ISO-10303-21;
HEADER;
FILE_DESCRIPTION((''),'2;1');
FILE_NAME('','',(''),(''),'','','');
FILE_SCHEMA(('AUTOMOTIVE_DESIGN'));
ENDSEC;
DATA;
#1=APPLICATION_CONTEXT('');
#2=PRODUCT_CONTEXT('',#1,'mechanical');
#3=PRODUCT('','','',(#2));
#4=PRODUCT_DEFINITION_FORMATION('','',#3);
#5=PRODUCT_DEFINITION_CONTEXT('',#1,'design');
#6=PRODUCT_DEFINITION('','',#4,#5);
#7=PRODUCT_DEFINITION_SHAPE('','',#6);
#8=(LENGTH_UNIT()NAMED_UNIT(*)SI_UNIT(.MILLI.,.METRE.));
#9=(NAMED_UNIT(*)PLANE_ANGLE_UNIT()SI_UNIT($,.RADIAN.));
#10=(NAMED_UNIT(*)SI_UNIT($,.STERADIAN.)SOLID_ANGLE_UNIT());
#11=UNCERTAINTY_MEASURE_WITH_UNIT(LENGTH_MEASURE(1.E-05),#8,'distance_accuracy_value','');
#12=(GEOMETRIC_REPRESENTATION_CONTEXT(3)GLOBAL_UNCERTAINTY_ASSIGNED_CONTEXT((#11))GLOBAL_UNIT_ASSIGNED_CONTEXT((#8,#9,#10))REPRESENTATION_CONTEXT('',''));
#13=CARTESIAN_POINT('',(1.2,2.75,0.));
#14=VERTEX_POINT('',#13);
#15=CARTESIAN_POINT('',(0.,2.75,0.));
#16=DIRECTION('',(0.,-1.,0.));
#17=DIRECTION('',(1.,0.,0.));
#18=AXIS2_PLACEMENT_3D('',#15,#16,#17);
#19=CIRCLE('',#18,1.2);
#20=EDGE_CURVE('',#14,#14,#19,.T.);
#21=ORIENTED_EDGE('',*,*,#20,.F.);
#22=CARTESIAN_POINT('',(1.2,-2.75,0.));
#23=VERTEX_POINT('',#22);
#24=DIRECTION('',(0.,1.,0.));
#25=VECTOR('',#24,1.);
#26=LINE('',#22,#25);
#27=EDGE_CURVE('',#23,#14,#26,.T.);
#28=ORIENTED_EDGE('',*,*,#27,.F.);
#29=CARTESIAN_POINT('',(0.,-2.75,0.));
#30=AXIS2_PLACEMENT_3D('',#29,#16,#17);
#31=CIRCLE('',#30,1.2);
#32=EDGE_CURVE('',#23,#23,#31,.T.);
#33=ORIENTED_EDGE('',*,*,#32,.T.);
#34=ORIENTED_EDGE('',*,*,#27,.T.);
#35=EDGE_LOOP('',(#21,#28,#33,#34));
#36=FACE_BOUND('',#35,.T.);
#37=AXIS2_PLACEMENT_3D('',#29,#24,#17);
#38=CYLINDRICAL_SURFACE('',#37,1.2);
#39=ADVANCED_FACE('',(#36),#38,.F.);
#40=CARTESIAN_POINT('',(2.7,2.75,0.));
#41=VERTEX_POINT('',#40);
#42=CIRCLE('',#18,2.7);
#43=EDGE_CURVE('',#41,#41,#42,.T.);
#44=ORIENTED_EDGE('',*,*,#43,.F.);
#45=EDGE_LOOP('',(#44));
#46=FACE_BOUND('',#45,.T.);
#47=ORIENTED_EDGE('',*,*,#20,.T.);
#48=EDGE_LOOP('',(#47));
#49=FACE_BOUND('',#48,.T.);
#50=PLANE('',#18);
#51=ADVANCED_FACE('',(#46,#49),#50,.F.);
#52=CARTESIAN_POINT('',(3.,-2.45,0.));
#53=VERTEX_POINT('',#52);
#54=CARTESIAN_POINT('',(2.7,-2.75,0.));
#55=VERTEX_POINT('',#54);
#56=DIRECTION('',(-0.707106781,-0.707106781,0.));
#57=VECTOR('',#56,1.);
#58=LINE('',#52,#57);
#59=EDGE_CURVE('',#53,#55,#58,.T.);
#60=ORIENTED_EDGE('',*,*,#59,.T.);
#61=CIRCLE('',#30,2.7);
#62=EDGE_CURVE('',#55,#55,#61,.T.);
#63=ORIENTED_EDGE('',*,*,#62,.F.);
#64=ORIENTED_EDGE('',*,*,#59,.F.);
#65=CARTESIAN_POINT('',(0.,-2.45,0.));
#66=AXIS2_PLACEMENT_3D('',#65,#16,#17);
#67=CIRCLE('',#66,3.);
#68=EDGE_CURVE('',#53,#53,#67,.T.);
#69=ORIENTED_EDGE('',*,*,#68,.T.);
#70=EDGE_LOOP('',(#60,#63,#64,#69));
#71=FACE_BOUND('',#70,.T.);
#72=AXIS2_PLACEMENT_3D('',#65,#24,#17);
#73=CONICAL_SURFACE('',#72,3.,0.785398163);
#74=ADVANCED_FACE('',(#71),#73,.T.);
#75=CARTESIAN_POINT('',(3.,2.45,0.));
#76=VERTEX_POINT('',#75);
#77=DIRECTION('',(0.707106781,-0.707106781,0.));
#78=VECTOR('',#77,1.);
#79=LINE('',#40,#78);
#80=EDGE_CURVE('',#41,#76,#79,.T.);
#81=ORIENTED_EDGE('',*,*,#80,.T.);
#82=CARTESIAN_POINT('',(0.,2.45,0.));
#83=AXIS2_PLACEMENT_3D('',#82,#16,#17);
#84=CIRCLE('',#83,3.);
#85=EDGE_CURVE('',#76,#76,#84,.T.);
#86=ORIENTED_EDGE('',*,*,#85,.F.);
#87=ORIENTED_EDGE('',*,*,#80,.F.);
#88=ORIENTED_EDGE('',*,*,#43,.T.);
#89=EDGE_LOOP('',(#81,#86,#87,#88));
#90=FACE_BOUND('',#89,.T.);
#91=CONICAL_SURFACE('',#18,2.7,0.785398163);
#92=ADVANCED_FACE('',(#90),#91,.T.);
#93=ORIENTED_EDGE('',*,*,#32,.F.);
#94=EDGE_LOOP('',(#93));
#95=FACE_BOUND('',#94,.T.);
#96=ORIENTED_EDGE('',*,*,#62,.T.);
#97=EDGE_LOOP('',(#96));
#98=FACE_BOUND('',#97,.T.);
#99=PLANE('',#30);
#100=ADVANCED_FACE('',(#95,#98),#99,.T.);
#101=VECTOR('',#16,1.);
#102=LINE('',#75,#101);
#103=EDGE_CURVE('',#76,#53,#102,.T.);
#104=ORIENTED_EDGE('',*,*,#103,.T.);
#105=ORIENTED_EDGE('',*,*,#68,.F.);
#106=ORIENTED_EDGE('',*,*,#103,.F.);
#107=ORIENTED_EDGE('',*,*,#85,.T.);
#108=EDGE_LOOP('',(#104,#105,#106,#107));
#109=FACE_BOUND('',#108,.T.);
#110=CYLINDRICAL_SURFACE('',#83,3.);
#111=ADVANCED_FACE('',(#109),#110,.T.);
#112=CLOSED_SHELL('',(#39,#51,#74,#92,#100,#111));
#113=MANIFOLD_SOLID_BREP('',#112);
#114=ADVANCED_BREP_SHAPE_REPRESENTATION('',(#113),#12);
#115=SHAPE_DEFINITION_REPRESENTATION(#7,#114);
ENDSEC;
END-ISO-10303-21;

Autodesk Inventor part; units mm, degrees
ref_plane "YZ Plane" through (0, 0, 0) normal (1, 0, 0) x (0, 1, 0)
ref_plane "XZ Plane" through (0, 0, 0) normal (0, 1, 0) x (-1, 0, 0)
ref_plane "XY Plane" through (0, 0, 0) normal (0, 0, 1) x (1, 0, 0)
sketch "スケッチ1" plane through (0, 0, 0) normal (0, 0, 1) x (1, 0, 0)
  line L0 (1.2, -2.75) -> (1.2, 2.75)
  line L1 (1.2, 2.75) -> (2.7, 2.75)
  line L2 (2.7, 2.75) -> (3, 2.45)
  line L3 (3, 2.45) -> (3, -2.45)
  line L4 (0, 6.6667) -> (0, -6.6667) construction
  line L5 (3, -2.45) -> (2.7, -2.75)
  line L6 (2.7, -2.75) -> (1.2, -2.75)
  point P0 (0, 0)
  point P1 (0, 0)
  point P2 (1.2, 0)
  point P3 (3, 0)
  dimension "d0" = 6
  dimension "d1" = 2.4
  dimension "d3" = 5.5
  dimension "d4" = 0.3
  dimension "d5" = 0.3
revolve "回転1" add sketch "スケッチ1" angle 360 about axis through (0, 6.6667, 0) along (0, -1, 0)
equation "\"d5\" = d4"
properties part number "ARU-304S" material "ステンレス鋼 440C"
